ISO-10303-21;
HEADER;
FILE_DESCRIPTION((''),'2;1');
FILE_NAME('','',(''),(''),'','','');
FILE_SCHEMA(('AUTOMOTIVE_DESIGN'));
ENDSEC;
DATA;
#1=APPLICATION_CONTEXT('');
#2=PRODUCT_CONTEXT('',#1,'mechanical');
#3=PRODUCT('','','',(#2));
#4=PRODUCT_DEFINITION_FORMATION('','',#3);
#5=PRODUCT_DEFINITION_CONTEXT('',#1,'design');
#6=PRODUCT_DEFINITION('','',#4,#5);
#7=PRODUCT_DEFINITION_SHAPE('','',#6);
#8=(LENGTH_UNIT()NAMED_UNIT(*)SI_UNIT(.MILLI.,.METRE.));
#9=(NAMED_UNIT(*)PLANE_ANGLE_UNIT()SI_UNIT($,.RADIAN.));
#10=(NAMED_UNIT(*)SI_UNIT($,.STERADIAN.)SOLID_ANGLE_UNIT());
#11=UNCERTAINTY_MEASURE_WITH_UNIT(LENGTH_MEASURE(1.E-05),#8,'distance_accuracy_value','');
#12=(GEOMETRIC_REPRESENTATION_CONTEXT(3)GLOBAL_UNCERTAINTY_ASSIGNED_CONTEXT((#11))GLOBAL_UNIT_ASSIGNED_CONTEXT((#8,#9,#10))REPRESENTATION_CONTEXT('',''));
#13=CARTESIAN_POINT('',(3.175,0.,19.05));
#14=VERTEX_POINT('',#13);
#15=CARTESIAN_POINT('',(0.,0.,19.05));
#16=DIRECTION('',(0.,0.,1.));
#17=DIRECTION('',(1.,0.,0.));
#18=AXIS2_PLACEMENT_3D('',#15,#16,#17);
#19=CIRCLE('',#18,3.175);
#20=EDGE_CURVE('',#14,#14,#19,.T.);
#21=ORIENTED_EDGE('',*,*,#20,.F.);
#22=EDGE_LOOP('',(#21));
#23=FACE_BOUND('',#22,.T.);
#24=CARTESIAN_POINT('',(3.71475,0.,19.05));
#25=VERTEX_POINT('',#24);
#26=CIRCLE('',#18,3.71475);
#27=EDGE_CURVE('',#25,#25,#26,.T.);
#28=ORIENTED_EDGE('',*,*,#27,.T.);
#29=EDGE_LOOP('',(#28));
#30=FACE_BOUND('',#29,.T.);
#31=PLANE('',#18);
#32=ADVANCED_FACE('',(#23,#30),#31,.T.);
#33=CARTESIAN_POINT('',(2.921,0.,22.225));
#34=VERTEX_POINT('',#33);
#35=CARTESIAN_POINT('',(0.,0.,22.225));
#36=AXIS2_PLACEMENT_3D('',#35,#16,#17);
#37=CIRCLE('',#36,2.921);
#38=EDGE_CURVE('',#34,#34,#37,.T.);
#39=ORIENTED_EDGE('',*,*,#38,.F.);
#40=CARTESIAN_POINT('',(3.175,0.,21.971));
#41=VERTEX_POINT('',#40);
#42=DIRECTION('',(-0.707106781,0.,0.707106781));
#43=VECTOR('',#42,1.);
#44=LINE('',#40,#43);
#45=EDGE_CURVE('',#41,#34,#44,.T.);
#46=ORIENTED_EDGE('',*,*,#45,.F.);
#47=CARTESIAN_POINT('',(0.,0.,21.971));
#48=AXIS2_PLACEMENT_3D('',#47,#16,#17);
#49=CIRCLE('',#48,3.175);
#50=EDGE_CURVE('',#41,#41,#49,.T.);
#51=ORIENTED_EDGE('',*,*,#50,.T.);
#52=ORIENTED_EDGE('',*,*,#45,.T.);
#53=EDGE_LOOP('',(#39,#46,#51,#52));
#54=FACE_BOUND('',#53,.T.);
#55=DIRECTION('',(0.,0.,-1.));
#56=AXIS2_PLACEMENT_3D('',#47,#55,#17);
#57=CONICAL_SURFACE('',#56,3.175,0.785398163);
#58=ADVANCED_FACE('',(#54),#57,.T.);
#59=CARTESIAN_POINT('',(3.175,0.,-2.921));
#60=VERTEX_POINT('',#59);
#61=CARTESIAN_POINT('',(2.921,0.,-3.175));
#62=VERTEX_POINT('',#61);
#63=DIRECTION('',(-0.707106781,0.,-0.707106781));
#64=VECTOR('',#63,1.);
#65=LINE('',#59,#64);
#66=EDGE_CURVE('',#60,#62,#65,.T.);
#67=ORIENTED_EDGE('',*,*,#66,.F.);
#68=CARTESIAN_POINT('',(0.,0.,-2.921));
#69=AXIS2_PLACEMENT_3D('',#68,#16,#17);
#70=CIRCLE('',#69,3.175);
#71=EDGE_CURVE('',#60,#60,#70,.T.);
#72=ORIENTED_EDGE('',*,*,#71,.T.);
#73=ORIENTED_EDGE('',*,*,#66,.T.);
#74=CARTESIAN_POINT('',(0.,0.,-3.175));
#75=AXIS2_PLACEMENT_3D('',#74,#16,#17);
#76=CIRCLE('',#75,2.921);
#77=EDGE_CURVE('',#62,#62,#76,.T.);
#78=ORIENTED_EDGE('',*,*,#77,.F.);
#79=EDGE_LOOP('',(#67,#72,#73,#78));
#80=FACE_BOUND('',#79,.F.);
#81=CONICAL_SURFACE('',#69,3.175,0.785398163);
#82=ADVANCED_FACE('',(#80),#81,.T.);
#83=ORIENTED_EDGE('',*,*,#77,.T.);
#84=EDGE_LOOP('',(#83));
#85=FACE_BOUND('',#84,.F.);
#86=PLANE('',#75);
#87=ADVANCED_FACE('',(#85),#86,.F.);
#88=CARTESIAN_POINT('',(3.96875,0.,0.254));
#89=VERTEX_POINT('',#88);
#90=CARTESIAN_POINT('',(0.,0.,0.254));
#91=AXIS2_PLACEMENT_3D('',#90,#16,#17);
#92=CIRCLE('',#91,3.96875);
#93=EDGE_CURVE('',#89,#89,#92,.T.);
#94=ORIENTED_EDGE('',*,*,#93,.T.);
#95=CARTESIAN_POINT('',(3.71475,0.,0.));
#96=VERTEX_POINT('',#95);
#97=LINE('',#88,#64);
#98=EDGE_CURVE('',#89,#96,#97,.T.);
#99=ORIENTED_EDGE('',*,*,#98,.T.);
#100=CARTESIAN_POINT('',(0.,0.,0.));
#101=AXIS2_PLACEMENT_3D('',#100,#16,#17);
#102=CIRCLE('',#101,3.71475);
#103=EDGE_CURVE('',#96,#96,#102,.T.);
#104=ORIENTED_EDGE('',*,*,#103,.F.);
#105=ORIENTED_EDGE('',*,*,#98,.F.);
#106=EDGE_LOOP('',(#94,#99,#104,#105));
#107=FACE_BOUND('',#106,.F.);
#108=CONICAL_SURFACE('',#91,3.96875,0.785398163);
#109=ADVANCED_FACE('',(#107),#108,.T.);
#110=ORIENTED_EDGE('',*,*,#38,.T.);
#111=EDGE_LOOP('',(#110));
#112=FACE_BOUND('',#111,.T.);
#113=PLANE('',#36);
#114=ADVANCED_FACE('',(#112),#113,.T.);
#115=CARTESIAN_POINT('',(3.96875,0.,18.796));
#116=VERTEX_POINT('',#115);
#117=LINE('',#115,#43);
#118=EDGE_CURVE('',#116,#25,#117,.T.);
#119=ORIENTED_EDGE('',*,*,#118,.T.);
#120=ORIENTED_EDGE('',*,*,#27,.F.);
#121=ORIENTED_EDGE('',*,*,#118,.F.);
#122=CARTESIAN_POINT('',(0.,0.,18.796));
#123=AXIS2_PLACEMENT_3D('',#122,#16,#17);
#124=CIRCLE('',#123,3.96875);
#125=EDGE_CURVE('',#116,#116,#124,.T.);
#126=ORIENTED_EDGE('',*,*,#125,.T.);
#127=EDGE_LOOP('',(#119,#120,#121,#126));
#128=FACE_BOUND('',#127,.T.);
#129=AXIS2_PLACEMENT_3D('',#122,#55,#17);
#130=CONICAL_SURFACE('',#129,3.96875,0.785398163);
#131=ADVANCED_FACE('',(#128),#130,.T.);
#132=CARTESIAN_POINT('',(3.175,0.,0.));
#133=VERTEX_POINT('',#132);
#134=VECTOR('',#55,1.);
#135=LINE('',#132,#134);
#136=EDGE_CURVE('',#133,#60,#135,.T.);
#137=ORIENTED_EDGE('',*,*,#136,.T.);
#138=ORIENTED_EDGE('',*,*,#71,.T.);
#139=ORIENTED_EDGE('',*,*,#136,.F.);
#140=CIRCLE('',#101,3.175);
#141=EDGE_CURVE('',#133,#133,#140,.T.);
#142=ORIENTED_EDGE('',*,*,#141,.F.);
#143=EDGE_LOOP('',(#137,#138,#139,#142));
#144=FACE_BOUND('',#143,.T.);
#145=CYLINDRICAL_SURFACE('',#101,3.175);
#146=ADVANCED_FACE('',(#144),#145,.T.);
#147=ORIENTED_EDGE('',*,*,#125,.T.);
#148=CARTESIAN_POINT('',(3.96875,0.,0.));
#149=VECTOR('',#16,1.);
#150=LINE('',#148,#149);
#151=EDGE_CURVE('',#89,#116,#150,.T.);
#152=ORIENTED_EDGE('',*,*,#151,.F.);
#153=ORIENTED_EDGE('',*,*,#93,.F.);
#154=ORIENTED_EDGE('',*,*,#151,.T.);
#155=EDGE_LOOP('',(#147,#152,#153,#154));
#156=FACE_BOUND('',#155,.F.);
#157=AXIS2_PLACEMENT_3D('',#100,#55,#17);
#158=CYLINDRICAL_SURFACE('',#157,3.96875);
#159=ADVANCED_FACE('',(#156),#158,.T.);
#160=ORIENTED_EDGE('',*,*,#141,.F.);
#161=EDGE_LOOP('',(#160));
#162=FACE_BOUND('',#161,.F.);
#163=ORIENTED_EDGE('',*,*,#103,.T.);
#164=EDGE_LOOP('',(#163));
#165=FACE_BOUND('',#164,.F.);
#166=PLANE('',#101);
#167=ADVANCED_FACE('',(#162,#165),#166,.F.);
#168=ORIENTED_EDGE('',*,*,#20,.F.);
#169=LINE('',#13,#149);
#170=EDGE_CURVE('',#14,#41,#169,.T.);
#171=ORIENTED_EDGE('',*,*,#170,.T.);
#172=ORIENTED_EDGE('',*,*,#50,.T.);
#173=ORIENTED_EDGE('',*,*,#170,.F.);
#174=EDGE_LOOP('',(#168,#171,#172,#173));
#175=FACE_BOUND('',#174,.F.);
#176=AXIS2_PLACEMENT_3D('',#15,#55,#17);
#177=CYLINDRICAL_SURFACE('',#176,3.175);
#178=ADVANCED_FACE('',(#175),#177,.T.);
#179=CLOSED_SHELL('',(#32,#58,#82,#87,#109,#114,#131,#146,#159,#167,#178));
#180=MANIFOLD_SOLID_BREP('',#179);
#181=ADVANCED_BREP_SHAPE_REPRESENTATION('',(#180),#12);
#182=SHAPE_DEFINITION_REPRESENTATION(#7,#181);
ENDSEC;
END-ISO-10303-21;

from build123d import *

# Parameters (mm, degrees)
F0_R     = 3.96875
F1_DEPTH = 19.05
F2_R     = 3.175
F3_DEPTH = 3.175
F4_R     = 3.175
F5_DEPTH = 3.175
F6_SIZE  = 0.254


with BuildPart() as f1:
    # F0 (on Top) → F1 (new body)
    with BuildSketch(Plane.XY):
        Circle(F0_R)
    extrude(amount=F1_DEPTH)

    # F2 (on Top) → F3 (join)
    with BuildSketch(Plane.XY):
        Circle(F2_R)
    extrude(amount=-F3_DEPTH)

    # F4 (on face) → F5 (join)
    with BuildSketch(Plane.XY.offset(19.05)):
        Circle(F4_R)
    extrude(amount=F5_DEPTH)

    # F6
    f6_edges = [f1.edges().sort_by_distance(p)[0] for p in [
        (-3.175, 0, 22.225),
        (-3.96875, 0, 19.05),
        (-3.175, 0, -3.175),
        (-3.96875, 0, 0),
    ]]
    chamfer(f6_edges, length=F6_SIZE)


solid = f1.part
